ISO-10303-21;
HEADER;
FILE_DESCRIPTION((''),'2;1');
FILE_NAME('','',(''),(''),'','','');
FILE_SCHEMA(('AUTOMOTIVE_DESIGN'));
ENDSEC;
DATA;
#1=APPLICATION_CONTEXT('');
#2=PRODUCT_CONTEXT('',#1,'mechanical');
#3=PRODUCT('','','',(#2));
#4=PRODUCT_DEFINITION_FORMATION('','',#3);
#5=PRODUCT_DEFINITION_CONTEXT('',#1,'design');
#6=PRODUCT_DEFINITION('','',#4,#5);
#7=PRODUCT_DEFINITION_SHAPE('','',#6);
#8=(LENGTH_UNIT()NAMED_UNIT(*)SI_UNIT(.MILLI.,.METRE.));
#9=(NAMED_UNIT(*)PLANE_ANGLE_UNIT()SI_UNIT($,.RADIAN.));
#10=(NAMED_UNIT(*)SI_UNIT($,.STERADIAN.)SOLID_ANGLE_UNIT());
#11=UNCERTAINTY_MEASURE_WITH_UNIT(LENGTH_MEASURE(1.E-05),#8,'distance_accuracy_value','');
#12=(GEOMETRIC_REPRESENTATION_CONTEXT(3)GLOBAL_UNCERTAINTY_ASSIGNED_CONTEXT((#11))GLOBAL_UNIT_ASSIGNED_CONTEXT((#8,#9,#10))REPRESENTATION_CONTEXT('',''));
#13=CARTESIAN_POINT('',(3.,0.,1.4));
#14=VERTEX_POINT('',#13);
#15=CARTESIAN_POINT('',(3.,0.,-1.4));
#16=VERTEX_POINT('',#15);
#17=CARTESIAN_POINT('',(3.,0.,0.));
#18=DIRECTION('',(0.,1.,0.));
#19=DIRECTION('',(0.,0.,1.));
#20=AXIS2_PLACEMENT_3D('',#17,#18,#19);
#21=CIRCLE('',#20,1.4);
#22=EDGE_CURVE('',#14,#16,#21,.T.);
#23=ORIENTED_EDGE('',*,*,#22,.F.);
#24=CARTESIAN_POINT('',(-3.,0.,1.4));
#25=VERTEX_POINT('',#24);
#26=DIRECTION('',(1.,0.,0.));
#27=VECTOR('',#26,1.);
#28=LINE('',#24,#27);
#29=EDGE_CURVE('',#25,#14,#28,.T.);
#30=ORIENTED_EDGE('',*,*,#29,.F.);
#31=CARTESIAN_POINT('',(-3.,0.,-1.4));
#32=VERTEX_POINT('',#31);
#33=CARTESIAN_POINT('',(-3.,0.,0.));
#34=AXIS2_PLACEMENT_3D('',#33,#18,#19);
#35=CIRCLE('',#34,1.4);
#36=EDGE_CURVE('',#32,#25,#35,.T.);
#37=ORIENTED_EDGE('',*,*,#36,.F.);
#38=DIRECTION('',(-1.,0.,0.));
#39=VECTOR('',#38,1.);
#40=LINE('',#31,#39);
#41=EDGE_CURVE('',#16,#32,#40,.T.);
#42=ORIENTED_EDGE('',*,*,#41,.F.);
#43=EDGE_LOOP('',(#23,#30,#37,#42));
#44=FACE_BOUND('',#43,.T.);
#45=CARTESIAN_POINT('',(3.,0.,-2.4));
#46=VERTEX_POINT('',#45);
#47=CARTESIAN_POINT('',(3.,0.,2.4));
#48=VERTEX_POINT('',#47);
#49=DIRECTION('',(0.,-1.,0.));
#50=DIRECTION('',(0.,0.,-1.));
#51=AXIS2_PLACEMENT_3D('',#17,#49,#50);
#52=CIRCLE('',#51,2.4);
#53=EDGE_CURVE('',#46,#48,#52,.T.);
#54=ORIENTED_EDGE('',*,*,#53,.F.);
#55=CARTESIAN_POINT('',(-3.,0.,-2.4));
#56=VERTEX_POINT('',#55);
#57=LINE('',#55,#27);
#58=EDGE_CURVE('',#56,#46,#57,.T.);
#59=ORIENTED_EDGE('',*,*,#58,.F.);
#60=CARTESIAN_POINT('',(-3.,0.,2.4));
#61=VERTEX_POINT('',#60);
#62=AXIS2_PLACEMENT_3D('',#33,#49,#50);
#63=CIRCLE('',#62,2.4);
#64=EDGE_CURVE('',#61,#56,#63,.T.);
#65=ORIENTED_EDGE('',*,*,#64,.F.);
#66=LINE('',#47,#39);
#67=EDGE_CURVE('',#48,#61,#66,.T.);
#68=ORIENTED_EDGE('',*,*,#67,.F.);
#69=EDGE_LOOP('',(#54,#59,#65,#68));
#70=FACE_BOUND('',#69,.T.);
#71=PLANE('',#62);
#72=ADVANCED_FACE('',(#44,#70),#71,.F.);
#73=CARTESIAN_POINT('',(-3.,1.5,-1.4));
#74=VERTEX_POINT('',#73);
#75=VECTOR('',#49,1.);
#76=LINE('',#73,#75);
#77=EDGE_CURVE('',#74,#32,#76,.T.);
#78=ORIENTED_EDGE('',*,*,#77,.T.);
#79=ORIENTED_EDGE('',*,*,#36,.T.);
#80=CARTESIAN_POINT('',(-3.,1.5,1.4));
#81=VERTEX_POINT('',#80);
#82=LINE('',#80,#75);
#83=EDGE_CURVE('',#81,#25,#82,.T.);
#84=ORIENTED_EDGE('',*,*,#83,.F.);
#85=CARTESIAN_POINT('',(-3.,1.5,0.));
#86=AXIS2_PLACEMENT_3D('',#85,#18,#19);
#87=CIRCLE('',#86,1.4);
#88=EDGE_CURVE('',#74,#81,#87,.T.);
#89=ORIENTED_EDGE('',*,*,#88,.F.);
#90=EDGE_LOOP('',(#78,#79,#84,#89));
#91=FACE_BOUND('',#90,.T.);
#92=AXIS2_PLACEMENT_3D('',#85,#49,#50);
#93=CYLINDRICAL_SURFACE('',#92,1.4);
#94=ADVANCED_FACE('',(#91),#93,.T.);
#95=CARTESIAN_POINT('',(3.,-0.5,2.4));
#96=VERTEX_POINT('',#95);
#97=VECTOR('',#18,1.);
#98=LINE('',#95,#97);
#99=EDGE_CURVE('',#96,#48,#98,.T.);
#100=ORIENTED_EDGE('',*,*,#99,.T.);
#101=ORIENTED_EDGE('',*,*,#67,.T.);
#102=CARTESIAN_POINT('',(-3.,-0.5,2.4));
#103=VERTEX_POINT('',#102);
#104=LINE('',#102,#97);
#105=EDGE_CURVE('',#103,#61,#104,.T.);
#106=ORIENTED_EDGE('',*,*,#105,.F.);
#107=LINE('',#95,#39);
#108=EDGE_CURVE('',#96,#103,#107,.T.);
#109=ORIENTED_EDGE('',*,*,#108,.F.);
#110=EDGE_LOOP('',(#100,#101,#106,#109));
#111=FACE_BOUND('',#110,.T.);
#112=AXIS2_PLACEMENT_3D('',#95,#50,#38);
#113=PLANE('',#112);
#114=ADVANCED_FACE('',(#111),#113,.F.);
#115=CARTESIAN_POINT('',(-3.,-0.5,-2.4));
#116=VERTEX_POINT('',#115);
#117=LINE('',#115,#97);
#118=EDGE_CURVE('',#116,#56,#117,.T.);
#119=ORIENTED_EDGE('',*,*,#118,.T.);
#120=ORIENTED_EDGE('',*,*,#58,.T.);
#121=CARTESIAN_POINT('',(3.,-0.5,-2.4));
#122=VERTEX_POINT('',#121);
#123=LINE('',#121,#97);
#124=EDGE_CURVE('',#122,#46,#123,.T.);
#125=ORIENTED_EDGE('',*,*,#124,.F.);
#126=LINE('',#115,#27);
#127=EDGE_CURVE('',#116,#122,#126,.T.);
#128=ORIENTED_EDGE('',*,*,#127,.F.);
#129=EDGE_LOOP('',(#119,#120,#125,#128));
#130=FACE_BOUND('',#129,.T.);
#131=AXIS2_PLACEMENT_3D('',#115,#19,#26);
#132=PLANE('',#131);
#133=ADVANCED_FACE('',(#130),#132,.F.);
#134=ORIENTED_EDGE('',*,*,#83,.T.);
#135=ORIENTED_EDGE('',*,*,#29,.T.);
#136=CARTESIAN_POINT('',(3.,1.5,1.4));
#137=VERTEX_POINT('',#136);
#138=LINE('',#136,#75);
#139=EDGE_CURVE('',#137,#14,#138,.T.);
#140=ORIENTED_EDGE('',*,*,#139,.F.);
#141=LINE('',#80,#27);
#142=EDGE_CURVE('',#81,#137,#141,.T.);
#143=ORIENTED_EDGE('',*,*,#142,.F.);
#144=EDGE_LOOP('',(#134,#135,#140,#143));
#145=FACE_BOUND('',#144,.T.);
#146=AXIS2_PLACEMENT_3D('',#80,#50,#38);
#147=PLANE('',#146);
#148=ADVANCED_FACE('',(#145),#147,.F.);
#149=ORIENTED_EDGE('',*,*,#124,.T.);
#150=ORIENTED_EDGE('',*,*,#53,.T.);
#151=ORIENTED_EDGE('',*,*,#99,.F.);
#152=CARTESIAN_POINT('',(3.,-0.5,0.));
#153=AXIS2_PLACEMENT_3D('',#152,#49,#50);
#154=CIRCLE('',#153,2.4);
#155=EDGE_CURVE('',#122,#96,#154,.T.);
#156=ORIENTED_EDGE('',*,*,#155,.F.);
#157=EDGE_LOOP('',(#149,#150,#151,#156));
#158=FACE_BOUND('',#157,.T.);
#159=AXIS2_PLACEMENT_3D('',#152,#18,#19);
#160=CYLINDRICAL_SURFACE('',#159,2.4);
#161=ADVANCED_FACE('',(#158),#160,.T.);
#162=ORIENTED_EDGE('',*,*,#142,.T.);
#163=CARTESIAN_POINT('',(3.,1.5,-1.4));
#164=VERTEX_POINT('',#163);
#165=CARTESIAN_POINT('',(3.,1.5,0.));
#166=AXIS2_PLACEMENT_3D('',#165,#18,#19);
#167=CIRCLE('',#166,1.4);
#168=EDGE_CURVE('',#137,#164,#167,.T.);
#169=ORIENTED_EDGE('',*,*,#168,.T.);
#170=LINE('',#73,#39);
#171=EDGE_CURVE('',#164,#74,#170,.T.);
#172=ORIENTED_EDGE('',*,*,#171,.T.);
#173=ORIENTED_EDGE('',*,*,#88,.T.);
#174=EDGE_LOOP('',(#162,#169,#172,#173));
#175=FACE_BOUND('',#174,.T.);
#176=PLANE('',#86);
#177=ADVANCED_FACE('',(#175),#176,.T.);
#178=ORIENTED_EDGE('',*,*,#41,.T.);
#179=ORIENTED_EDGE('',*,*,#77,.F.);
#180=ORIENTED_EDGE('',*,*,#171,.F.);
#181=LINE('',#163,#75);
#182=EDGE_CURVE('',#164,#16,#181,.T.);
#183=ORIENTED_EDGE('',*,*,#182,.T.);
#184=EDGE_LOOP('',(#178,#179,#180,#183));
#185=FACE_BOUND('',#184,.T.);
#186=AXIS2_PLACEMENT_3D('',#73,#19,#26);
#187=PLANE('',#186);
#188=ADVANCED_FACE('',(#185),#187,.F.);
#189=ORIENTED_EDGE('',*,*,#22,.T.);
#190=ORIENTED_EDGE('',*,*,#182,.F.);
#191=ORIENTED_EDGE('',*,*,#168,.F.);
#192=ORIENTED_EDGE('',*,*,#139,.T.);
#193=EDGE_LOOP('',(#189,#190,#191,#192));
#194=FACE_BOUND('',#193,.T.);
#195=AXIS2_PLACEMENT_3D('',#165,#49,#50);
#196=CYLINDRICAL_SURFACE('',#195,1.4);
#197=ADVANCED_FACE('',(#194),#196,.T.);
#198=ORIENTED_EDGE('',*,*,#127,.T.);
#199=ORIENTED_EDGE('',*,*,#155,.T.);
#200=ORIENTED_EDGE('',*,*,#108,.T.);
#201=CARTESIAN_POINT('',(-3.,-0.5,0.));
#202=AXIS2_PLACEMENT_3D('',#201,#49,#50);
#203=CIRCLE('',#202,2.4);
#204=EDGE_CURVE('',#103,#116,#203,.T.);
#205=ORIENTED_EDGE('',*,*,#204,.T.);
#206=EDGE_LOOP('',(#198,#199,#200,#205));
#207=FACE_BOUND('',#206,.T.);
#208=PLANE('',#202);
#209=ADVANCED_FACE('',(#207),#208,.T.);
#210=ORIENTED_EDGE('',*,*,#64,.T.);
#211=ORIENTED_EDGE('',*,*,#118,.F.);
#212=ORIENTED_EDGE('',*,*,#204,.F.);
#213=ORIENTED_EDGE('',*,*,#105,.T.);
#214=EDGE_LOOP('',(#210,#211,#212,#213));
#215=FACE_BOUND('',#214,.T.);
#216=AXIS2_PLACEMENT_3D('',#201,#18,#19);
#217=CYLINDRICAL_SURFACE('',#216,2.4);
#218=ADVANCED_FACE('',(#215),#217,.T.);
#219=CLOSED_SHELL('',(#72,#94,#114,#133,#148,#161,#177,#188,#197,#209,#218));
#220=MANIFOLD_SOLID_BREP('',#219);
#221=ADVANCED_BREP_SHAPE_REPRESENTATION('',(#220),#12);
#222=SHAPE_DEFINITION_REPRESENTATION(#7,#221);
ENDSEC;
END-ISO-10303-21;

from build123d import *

# Parameters (mm, degrees)
EXTRUDE_1_DEPTH = 1.5
EXTRUDE_2_DEPTH = 0.5


with BuildPart() as part:
    # 草图1 → 凸台-拉伸1 (new body)
    with BuildSketch(Plane(origin=(0, 0, 0), x_dir=(1, 0, 0), z_dir=(0, 1, 0))):
        with BuildLine():
            Line((-3, 1.4), (3, 1.4))
            ThreePointArc((3, 1.4), (4.4, 0), (3, -1.4))
            Line((3, -1.4), (-3, -1.4))
            ThreePointArc((-3, -1.4), (-4.4, 0), (-3, 1.4))
        make_face()
    extrude(amount=EXTRUDE_1_DEPTH)

    # 草图2 → 凸台-拉伸2 (add)
    with BuildSketch(Plane.XZ):
        with BuildLine():
            Line((-3, -2.4), (3, -2.4))
            ThreePointArc((3, -2.4), (5.4, 0), (3, 2.4))
            Line((3, 2.4), (-3, 2.4))
            ThreePointArc((-3, 2.4), (-5.4, 0), (-3, -2.4))
        make_face()
    extrude(amount=EXTRUDE_2_DEPTH)


solid = part.part
